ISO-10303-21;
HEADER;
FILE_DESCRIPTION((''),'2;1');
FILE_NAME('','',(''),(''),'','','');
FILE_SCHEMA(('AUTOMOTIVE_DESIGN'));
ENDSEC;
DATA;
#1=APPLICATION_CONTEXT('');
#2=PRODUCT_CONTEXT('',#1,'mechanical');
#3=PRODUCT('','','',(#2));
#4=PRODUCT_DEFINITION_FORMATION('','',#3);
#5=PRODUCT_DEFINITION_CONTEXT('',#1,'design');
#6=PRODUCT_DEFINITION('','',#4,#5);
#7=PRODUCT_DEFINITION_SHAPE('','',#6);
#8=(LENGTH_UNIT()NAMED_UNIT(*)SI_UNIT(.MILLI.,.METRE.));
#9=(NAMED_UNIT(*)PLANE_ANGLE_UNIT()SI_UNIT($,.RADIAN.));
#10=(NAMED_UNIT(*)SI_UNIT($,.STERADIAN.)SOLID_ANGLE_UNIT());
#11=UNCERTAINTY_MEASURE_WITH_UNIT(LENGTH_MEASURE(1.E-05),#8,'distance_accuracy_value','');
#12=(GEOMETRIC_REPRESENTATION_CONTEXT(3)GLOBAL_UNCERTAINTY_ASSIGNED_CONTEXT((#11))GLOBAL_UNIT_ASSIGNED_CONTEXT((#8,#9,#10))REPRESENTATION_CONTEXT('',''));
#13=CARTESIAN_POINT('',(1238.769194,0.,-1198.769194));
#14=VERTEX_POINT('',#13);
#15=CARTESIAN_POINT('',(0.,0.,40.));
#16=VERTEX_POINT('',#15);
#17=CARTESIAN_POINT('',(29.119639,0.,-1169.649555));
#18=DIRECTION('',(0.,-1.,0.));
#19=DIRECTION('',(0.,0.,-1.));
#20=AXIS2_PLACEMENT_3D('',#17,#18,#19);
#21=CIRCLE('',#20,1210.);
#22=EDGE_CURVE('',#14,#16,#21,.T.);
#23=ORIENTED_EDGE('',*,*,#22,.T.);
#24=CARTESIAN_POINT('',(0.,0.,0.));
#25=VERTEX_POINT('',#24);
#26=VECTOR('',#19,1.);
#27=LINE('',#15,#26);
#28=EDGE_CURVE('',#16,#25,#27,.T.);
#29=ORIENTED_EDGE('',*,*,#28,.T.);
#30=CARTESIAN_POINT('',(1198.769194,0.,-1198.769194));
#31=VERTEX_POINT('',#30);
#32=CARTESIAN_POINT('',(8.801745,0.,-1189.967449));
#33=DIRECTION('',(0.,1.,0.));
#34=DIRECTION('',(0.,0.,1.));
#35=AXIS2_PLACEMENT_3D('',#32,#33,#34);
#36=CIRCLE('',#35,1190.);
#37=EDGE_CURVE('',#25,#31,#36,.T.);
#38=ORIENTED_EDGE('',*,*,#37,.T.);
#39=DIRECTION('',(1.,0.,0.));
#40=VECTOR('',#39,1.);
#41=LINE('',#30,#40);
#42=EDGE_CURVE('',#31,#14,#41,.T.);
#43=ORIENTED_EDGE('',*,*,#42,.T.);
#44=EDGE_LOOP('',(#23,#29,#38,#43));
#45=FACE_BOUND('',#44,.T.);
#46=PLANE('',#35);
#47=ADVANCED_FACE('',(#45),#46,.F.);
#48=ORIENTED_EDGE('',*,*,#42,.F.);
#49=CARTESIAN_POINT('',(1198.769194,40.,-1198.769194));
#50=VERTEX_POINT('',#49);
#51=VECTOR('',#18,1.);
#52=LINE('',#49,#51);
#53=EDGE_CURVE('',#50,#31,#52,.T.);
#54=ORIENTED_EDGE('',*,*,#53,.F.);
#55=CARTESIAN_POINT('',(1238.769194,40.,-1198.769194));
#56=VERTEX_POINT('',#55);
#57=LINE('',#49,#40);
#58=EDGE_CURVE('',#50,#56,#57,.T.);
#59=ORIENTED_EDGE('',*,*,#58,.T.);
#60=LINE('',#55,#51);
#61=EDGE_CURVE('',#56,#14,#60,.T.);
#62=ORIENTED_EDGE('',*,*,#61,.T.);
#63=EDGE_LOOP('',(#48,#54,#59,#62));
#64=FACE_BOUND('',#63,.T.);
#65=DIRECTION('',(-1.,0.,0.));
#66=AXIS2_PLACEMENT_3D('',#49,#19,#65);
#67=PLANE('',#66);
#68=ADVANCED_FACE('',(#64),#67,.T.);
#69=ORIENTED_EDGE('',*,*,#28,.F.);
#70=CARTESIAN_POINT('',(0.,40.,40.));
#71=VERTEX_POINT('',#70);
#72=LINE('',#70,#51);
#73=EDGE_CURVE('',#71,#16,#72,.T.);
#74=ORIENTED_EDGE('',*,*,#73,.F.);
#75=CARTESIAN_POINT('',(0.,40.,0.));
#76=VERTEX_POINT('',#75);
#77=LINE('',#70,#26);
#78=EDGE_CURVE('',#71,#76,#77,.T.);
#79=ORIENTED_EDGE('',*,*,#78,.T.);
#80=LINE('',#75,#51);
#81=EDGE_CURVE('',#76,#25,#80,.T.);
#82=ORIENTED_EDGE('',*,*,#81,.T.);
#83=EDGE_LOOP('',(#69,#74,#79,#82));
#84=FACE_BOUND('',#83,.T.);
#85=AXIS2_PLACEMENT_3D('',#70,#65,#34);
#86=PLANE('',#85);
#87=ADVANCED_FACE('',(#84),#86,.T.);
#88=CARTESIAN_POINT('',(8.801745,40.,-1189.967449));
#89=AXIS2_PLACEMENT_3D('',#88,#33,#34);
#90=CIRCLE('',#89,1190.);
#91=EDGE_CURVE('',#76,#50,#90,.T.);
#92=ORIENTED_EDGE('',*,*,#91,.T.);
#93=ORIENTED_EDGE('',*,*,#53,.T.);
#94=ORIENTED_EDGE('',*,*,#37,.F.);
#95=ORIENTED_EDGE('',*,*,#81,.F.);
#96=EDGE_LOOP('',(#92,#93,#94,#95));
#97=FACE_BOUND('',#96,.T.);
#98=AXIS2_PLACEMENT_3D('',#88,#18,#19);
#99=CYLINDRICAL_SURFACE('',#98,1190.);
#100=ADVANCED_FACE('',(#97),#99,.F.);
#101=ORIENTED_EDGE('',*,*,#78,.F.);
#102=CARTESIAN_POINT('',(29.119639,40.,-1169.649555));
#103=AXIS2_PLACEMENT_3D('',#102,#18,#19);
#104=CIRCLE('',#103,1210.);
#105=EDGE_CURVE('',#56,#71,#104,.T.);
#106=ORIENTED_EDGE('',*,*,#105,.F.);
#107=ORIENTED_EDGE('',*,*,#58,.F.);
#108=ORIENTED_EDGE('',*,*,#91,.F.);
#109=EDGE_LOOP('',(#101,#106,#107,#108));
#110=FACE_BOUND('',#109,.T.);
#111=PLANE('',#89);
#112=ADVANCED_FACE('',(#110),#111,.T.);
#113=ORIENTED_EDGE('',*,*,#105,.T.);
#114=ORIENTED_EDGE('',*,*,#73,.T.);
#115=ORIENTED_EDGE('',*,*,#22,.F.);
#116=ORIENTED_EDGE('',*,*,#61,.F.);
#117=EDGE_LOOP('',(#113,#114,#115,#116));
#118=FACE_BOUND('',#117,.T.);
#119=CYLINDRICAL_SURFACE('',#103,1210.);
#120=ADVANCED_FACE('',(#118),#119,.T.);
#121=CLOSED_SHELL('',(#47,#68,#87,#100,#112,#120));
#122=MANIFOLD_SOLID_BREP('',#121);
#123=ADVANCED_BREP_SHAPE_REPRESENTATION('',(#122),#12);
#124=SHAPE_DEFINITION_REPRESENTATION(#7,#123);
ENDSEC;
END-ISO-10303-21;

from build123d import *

# Parameters (mm, degrees)
RESSALTO_EXTRUS_O1_DEPTH = 40


with BuildPart() as part:
    # Esboço1 → Ressalto-extrusão1 (new body)
    with BuildSketch(Plane(origin=(0, 0, 0), x_dir=(1, 0, 0), z_dir=(0, 1, 0))):
        with BuildLine():
            Line((0, -40), (0, 0))
            ThreePointArc((0, 0), (850.258814768, 348.510379221), (1198.769193989, 1198.769193989))
            Line((1198.769193989, 1198.769193989), (1238.769193989, 1198.769193989))
            ThreePointArc((1238.769193989, 1198.769193989), (884.718843923, 314.050350066), (0, -40))
        make_face()
    extrude(amount=RESSALTO_EXTRUS_O1_DEPTH)


solid = part.part
